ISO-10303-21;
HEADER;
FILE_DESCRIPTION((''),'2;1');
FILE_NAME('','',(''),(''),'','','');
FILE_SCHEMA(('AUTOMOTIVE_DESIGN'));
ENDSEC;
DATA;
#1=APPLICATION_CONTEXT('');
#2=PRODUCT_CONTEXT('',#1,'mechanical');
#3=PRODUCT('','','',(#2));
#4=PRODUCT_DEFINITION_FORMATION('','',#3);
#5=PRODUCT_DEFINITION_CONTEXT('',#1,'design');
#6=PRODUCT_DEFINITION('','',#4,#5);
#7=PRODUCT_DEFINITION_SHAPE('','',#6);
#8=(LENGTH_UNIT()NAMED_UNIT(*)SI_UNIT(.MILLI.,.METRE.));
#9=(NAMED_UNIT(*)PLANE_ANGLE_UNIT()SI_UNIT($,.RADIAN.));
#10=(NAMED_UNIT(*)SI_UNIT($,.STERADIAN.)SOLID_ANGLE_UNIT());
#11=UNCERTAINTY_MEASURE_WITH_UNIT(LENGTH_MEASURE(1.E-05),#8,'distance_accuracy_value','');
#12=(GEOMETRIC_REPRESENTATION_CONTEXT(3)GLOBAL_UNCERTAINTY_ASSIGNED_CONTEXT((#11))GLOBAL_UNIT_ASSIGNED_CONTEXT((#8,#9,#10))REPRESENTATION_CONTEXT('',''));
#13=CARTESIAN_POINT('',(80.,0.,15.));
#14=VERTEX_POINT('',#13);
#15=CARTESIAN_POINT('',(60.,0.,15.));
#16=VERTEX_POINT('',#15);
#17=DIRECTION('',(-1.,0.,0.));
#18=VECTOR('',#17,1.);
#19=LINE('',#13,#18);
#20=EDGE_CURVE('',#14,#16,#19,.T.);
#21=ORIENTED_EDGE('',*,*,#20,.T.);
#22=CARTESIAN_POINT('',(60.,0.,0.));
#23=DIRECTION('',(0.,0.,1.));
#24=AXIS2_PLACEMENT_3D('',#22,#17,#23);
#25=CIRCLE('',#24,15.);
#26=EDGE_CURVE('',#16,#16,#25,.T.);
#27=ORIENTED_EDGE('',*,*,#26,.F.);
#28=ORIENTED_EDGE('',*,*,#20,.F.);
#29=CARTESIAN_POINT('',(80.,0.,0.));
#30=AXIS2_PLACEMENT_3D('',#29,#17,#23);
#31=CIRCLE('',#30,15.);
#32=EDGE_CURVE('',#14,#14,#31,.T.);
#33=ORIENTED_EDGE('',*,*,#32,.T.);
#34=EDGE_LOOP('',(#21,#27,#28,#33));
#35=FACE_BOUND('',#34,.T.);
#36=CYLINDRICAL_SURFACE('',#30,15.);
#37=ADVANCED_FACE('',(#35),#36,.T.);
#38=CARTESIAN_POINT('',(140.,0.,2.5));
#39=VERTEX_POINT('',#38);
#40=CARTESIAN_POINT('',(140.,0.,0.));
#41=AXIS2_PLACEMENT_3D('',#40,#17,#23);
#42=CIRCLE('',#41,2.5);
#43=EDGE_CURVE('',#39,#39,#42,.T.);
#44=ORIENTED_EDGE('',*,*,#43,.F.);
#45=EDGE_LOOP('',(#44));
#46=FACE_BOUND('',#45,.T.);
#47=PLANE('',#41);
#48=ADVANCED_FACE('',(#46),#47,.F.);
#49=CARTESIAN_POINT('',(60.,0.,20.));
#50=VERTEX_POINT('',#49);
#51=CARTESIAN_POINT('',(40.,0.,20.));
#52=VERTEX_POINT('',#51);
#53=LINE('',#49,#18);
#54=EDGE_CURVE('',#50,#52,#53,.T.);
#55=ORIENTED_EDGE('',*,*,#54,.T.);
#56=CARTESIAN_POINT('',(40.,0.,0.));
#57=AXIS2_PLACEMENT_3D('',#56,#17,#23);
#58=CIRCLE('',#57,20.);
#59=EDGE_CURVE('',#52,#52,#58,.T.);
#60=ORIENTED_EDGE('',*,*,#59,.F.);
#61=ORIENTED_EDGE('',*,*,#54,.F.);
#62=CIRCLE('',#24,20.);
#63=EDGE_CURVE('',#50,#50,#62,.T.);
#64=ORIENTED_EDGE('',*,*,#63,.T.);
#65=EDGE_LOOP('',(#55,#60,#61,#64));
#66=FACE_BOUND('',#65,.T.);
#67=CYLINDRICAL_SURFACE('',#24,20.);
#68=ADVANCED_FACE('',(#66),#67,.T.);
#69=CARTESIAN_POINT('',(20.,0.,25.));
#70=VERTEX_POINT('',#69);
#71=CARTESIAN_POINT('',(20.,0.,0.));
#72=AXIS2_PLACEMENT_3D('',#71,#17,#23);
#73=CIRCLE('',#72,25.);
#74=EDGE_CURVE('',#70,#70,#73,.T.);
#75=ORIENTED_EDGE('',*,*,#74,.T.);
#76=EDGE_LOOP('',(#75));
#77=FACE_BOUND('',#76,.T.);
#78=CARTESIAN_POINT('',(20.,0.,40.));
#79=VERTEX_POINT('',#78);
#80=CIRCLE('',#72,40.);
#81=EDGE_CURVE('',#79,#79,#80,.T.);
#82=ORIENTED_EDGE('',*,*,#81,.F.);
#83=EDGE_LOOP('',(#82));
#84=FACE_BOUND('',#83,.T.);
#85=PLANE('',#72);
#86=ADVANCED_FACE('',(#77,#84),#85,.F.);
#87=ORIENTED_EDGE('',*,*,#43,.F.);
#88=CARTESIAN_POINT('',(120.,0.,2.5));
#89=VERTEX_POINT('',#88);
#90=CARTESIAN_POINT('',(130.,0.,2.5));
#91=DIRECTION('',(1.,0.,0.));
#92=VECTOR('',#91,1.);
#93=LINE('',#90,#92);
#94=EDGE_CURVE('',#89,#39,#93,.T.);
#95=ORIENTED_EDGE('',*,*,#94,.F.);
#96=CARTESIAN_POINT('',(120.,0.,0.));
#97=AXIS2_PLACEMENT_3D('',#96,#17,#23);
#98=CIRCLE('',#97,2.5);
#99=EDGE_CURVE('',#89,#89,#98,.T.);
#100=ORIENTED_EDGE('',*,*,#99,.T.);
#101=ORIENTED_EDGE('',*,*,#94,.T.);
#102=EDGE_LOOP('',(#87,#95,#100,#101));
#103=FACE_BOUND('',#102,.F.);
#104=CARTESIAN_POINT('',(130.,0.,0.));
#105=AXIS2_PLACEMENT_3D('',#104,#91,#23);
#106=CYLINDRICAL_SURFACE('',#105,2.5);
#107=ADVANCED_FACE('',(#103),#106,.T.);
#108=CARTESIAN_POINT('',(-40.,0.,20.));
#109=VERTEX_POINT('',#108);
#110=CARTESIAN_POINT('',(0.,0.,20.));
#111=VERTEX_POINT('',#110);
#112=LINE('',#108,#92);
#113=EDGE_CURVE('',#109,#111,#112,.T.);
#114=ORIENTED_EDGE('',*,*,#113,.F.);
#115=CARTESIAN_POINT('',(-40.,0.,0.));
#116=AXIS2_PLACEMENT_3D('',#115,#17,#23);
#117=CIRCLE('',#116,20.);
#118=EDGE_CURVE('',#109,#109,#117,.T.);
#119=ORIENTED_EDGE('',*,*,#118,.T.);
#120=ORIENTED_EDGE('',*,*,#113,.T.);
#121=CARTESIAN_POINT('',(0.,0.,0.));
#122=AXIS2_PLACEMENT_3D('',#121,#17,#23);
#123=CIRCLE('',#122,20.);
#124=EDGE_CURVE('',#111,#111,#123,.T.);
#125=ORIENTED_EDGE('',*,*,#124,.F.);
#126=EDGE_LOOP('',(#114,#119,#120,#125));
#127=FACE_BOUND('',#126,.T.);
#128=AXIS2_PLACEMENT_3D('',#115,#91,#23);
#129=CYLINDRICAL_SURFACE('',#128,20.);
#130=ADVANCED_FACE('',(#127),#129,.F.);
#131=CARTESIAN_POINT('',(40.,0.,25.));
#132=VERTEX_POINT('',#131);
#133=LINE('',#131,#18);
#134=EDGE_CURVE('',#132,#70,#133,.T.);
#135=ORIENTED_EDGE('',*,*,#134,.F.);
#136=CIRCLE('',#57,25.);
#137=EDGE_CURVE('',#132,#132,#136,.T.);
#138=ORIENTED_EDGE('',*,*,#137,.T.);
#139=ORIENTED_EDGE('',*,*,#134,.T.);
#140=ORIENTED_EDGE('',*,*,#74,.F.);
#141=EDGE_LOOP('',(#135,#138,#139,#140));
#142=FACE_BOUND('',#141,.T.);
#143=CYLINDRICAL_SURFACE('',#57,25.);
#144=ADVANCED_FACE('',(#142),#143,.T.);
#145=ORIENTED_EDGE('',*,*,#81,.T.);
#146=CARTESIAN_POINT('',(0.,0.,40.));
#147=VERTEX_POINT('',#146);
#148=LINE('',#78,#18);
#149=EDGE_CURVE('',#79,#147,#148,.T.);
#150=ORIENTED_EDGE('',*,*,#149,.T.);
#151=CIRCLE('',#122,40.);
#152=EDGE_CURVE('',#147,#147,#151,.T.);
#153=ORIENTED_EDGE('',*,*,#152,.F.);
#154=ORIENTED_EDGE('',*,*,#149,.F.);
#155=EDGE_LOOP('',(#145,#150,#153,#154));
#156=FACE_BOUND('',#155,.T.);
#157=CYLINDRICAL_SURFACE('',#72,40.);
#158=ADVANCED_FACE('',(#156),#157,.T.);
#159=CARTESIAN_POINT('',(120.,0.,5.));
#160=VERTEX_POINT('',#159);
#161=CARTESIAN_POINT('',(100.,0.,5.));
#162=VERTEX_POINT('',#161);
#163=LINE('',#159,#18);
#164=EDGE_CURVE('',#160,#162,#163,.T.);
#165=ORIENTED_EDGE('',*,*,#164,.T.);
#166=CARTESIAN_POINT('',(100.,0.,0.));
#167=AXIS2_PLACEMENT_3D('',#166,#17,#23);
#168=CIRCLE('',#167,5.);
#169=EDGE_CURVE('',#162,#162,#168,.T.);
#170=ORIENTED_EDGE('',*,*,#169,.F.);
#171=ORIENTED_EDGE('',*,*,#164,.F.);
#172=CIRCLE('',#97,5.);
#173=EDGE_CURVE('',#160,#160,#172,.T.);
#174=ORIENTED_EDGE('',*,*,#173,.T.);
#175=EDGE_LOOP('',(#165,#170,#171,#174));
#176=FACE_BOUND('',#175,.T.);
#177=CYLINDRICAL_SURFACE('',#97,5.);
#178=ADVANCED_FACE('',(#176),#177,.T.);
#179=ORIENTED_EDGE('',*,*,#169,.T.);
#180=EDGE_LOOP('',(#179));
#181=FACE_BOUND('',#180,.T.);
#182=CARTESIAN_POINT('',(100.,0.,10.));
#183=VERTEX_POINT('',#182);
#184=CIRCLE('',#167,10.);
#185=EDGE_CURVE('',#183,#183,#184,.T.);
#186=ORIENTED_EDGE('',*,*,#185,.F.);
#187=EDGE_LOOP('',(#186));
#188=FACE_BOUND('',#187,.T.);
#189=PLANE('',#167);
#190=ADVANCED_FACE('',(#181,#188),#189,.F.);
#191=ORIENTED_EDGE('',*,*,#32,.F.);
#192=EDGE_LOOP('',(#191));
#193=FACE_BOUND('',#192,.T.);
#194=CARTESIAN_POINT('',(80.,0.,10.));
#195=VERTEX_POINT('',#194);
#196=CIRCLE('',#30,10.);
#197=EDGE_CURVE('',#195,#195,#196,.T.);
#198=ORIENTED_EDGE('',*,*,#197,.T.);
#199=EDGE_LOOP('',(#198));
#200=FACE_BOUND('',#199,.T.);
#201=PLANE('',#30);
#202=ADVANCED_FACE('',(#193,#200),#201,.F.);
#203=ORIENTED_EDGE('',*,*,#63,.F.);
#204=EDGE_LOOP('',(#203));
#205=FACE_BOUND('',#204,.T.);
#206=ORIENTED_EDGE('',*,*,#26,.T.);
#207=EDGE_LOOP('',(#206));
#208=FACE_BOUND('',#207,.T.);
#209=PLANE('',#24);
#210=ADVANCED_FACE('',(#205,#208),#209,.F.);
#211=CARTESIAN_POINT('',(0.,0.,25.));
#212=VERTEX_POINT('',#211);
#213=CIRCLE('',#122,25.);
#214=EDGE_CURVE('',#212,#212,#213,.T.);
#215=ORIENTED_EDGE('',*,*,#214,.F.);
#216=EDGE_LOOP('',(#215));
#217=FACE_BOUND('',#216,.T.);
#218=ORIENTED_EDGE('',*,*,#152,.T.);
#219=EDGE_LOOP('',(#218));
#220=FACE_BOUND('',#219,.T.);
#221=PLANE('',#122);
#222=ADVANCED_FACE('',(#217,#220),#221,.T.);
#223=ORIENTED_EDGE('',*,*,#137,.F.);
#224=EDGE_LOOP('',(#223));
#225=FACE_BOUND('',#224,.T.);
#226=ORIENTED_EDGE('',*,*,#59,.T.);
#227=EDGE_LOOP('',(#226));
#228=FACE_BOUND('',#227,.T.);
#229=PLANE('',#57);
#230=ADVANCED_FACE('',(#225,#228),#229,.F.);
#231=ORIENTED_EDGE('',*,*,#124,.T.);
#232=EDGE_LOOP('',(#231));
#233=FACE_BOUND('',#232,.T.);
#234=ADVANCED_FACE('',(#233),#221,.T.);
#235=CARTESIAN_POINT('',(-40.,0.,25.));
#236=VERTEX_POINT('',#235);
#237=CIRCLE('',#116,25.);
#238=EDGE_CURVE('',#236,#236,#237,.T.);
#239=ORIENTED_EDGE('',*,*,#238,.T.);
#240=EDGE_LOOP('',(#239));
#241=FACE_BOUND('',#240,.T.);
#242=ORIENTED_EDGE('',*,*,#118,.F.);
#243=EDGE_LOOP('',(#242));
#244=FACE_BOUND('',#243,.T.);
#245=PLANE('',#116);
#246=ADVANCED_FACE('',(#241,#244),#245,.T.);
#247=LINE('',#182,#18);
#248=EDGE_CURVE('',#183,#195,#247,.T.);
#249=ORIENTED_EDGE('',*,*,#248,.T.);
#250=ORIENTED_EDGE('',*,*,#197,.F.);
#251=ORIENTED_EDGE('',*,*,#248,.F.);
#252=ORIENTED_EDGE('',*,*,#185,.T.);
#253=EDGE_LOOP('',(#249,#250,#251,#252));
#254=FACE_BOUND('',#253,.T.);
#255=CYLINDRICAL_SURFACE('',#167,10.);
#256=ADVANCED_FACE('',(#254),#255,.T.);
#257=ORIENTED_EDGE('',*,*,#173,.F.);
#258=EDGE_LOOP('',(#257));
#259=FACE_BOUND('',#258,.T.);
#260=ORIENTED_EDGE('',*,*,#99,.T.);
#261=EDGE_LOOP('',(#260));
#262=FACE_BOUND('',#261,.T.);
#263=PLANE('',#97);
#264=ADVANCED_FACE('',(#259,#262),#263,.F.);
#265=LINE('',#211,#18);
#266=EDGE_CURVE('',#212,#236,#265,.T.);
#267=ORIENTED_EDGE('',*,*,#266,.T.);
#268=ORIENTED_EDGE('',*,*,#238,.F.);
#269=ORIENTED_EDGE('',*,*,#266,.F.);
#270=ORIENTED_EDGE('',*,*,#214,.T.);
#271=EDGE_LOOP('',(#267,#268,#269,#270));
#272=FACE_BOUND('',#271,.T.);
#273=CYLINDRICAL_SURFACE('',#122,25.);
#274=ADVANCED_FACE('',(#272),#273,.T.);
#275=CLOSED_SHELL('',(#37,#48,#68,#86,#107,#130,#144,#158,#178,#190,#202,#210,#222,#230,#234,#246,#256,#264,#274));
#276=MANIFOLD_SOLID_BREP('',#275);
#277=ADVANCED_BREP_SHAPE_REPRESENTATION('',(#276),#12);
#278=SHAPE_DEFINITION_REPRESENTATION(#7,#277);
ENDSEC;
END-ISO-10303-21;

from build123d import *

# Parameters (mm, degrees)
F0_W = 20
F0_H = 2.5


with BuildPart() as f1:
    # F0 (on Front) → F1 (revolve)
    with BuildSketch(Plane.XZ):
        Polygon((0, 20), (0, 0), (20, 0), (20, 25), (20, 40), (0, 40), (0, 25), (-40, 25), (-40, 20), align=None)
        Polygon((20, 25), (20, 0), (40, 0), (40, 20), (40, 25), align=None)
        Polygon((40, 20), (40, 0), (60, 0), (60, 15), (60, 20), align=None)
        Polygon((60, 15), (60, 0), (80, 0), (80, 10), (80, 15), align=None)
        Polygon((80, 10), (80, 0), (100, 0), (100, 5), (100, 10), align=None)
        Polygon((100, 5), (100, 0), (120, 0), (120, 2.5), (120, 5), align=None)
        with Locations((130, 1.25)):
            Rectangle(F0_W, F0_H)
    revolve(axis=Axis((-20, 0, 0), (-1, 0, 0)))


solid = f1.part
